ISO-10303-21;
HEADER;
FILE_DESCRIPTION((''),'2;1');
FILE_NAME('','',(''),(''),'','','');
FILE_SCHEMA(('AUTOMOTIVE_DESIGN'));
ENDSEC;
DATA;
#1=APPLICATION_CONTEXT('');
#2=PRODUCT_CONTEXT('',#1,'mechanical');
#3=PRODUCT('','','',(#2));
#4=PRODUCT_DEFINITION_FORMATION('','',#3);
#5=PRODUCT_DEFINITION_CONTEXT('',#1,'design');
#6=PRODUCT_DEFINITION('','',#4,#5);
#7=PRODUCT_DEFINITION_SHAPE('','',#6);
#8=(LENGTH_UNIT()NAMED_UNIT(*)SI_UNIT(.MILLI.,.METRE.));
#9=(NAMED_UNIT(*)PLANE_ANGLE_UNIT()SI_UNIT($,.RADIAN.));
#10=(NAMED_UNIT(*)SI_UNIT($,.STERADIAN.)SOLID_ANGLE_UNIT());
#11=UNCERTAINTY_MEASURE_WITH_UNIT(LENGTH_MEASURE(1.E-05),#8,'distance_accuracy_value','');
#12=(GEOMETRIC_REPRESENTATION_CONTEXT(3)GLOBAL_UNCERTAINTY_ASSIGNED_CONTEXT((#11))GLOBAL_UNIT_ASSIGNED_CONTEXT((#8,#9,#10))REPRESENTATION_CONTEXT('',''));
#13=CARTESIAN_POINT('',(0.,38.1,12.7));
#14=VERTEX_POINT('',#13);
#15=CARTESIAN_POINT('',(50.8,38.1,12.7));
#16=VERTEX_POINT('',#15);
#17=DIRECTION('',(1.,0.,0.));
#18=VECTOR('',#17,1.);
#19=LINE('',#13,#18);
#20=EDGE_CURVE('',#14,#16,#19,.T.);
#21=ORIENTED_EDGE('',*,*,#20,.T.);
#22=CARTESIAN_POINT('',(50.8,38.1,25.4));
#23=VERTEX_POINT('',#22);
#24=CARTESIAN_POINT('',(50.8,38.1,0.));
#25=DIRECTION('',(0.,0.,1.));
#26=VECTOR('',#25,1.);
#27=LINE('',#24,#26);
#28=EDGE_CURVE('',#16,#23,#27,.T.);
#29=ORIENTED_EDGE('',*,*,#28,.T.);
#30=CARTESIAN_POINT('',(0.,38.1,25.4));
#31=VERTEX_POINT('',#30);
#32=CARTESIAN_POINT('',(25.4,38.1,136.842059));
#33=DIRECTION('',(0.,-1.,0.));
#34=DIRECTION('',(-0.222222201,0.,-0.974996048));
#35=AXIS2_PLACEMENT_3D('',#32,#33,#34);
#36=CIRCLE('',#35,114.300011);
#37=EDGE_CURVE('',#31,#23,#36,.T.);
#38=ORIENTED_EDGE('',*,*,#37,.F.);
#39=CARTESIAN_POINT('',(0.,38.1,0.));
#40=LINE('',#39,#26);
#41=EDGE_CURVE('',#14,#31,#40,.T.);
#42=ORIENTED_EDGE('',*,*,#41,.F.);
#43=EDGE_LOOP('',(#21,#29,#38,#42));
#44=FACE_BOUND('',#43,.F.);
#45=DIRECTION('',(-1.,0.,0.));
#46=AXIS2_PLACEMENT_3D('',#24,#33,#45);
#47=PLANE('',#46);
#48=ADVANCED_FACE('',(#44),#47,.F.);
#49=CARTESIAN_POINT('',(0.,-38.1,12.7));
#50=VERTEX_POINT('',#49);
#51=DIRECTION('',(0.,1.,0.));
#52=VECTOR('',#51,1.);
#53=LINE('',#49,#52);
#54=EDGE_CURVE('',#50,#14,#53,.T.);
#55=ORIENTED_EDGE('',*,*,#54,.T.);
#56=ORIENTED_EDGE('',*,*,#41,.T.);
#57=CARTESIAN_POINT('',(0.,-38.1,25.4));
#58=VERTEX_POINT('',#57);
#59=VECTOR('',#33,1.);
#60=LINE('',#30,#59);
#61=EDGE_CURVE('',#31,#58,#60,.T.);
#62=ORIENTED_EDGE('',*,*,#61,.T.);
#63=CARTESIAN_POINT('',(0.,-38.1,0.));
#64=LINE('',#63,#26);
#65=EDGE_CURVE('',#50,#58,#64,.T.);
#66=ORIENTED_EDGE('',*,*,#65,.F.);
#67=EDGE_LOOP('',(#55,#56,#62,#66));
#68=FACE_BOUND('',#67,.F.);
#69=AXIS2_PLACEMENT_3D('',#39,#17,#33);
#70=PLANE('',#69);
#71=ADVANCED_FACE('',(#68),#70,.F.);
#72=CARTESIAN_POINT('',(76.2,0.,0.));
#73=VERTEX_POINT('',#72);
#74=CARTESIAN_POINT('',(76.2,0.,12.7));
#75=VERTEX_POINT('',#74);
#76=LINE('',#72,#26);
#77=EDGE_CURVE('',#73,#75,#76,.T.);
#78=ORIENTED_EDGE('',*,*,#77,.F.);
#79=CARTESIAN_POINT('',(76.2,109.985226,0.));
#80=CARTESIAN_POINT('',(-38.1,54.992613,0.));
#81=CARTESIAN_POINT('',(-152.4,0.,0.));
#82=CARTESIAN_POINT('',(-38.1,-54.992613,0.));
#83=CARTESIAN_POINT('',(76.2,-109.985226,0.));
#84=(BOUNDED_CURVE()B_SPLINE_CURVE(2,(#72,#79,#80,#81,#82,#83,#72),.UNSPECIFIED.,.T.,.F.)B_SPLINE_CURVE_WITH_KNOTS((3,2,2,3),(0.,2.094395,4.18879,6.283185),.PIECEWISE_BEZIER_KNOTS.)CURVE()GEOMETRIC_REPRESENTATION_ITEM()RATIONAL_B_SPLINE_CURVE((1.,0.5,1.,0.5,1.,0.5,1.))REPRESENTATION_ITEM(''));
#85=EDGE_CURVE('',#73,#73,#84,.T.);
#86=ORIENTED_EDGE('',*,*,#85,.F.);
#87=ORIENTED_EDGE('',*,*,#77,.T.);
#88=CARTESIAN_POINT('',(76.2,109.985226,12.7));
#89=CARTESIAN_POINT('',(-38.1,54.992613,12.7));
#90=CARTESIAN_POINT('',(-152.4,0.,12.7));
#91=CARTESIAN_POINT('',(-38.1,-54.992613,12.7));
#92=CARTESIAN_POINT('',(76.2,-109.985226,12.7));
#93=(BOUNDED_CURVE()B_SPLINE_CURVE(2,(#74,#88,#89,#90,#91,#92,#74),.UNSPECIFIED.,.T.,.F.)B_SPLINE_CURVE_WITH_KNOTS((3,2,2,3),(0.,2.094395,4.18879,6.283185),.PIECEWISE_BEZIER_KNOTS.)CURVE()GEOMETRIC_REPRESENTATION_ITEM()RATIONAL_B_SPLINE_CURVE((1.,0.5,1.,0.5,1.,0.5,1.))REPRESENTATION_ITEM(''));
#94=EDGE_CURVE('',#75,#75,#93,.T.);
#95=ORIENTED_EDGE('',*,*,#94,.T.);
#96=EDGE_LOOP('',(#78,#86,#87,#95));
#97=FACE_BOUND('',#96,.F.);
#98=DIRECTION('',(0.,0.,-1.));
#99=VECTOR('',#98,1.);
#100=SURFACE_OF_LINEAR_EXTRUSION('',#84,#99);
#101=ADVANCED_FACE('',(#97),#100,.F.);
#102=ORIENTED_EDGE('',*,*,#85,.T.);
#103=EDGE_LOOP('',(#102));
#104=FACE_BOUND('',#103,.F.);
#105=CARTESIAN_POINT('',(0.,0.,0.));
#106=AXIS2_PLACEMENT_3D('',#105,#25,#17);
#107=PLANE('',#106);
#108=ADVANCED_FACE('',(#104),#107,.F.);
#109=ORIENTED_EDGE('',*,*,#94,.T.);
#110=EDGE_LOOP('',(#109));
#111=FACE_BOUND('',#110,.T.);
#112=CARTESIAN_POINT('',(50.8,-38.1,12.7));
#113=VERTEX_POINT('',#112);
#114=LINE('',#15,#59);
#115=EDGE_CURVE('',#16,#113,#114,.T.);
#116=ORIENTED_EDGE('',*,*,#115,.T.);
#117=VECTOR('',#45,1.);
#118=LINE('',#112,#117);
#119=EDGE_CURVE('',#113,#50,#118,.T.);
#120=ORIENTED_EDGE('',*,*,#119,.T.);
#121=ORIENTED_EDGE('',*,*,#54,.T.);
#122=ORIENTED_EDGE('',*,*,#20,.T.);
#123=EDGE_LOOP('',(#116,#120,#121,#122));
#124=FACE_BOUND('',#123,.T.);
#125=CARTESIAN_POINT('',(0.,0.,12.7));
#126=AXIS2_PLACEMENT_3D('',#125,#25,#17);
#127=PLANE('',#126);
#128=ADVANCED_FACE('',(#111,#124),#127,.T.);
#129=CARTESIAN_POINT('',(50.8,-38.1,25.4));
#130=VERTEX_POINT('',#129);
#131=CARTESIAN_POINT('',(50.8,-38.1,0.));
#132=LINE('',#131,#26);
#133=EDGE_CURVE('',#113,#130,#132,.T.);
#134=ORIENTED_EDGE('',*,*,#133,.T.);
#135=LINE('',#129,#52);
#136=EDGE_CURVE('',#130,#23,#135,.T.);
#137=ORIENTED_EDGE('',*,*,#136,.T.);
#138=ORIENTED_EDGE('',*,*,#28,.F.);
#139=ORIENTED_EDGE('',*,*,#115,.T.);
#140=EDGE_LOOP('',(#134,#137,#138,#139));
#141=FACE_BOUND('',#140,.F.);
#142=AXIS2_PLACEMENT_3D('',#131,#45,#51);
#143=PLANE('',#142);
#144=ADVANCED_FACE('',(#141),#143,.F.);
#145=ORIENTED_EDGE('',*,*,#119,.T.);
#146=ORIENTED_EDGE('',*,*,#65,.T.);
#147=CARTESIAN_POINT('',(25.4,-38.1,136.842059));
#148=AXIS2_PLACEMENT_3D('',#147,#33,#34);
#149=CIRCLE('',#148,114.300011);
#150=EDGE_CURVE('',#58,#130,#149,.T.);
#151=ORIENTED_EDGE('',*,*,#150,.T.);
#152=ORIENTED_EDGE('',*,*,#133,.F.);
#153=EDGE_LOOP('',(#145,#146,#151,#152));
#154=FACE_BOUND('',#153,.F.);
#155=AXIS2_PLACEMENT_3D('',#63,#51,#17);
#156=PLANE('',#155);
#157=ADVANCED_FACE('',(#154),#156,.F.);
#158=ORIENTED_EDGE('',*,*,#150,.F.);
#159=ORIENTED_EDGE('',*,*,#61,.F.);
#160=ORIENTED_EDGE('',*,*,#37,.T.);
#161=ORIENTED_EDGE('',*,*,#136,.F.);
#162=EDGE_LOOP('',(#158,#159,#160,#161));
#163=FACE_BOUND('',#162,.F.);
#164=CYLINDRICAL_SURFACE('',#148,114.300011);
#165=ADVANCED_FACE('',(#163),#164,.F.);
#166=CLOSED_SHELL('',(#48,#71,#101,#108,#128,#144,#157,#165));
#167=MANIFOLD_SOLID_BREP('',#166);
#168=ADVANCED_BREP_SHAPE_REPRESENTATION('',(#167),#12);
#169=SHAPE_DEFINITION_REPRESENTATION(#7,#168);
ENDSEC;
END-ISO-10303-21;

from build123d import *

# Parameters (mm, degrees)
F1_DEPTH = 12.7
F2_DEPTH = 25.4
F4_DEPTH = 101.601


with BuildPart() as f1:
    # F0 (on Top) → F1 (new body)
    with BuildSketch(Plane.XY):
        with BuildLine():
            add(Edge.make_bspline(
                [(76.2, 0), (76.2, 109.985226), (-38.1, 54.992613), (-152.4, 0), (-38.1, -54.992613), (76.2, -109.985226), (76.2, 0)],
                knots=[0, 0, 0, 2.094395, 2.094395, 4.18879, 4.18879, 6.283185, 6.283185, 6.283185], degree=2, weights=[1, 0.5, 1, 0.5, 1, 0.5, 1]))
        make_face()
        Polygon((0, -38.1), (0, 0), (0, 38.1), (50.8, 38.1), (50.8, -38.1), align=None, mode=Mode.SUBTRACT)
    extrude(amount=F1_DEPTH)

    # F0 (on Top) → F2 (join)
    with BuildSketch(Plane.XY):
        Polygon((0, 38.1), (0, 0), (0, -38.1), (50.8, -38.1), (50.8, 38.1), align=None)
    extrude(amount=F2_DEPTH)

    # F3 (on face) → F4 (cut, through all)
    with BuildSketch(Plane.XZ.offset(38.1)):
        with BuildLine():
            Line((50.8, 25.4), (0, 25.4))
            ThreePointArc((0, 25.4), (25.4, 22.542048), (50.8, 25.4))
        make_face()
    extrude(amount=-F4_DEPTH, mode=Mode.SUBTRACT)


solid = f1.part
